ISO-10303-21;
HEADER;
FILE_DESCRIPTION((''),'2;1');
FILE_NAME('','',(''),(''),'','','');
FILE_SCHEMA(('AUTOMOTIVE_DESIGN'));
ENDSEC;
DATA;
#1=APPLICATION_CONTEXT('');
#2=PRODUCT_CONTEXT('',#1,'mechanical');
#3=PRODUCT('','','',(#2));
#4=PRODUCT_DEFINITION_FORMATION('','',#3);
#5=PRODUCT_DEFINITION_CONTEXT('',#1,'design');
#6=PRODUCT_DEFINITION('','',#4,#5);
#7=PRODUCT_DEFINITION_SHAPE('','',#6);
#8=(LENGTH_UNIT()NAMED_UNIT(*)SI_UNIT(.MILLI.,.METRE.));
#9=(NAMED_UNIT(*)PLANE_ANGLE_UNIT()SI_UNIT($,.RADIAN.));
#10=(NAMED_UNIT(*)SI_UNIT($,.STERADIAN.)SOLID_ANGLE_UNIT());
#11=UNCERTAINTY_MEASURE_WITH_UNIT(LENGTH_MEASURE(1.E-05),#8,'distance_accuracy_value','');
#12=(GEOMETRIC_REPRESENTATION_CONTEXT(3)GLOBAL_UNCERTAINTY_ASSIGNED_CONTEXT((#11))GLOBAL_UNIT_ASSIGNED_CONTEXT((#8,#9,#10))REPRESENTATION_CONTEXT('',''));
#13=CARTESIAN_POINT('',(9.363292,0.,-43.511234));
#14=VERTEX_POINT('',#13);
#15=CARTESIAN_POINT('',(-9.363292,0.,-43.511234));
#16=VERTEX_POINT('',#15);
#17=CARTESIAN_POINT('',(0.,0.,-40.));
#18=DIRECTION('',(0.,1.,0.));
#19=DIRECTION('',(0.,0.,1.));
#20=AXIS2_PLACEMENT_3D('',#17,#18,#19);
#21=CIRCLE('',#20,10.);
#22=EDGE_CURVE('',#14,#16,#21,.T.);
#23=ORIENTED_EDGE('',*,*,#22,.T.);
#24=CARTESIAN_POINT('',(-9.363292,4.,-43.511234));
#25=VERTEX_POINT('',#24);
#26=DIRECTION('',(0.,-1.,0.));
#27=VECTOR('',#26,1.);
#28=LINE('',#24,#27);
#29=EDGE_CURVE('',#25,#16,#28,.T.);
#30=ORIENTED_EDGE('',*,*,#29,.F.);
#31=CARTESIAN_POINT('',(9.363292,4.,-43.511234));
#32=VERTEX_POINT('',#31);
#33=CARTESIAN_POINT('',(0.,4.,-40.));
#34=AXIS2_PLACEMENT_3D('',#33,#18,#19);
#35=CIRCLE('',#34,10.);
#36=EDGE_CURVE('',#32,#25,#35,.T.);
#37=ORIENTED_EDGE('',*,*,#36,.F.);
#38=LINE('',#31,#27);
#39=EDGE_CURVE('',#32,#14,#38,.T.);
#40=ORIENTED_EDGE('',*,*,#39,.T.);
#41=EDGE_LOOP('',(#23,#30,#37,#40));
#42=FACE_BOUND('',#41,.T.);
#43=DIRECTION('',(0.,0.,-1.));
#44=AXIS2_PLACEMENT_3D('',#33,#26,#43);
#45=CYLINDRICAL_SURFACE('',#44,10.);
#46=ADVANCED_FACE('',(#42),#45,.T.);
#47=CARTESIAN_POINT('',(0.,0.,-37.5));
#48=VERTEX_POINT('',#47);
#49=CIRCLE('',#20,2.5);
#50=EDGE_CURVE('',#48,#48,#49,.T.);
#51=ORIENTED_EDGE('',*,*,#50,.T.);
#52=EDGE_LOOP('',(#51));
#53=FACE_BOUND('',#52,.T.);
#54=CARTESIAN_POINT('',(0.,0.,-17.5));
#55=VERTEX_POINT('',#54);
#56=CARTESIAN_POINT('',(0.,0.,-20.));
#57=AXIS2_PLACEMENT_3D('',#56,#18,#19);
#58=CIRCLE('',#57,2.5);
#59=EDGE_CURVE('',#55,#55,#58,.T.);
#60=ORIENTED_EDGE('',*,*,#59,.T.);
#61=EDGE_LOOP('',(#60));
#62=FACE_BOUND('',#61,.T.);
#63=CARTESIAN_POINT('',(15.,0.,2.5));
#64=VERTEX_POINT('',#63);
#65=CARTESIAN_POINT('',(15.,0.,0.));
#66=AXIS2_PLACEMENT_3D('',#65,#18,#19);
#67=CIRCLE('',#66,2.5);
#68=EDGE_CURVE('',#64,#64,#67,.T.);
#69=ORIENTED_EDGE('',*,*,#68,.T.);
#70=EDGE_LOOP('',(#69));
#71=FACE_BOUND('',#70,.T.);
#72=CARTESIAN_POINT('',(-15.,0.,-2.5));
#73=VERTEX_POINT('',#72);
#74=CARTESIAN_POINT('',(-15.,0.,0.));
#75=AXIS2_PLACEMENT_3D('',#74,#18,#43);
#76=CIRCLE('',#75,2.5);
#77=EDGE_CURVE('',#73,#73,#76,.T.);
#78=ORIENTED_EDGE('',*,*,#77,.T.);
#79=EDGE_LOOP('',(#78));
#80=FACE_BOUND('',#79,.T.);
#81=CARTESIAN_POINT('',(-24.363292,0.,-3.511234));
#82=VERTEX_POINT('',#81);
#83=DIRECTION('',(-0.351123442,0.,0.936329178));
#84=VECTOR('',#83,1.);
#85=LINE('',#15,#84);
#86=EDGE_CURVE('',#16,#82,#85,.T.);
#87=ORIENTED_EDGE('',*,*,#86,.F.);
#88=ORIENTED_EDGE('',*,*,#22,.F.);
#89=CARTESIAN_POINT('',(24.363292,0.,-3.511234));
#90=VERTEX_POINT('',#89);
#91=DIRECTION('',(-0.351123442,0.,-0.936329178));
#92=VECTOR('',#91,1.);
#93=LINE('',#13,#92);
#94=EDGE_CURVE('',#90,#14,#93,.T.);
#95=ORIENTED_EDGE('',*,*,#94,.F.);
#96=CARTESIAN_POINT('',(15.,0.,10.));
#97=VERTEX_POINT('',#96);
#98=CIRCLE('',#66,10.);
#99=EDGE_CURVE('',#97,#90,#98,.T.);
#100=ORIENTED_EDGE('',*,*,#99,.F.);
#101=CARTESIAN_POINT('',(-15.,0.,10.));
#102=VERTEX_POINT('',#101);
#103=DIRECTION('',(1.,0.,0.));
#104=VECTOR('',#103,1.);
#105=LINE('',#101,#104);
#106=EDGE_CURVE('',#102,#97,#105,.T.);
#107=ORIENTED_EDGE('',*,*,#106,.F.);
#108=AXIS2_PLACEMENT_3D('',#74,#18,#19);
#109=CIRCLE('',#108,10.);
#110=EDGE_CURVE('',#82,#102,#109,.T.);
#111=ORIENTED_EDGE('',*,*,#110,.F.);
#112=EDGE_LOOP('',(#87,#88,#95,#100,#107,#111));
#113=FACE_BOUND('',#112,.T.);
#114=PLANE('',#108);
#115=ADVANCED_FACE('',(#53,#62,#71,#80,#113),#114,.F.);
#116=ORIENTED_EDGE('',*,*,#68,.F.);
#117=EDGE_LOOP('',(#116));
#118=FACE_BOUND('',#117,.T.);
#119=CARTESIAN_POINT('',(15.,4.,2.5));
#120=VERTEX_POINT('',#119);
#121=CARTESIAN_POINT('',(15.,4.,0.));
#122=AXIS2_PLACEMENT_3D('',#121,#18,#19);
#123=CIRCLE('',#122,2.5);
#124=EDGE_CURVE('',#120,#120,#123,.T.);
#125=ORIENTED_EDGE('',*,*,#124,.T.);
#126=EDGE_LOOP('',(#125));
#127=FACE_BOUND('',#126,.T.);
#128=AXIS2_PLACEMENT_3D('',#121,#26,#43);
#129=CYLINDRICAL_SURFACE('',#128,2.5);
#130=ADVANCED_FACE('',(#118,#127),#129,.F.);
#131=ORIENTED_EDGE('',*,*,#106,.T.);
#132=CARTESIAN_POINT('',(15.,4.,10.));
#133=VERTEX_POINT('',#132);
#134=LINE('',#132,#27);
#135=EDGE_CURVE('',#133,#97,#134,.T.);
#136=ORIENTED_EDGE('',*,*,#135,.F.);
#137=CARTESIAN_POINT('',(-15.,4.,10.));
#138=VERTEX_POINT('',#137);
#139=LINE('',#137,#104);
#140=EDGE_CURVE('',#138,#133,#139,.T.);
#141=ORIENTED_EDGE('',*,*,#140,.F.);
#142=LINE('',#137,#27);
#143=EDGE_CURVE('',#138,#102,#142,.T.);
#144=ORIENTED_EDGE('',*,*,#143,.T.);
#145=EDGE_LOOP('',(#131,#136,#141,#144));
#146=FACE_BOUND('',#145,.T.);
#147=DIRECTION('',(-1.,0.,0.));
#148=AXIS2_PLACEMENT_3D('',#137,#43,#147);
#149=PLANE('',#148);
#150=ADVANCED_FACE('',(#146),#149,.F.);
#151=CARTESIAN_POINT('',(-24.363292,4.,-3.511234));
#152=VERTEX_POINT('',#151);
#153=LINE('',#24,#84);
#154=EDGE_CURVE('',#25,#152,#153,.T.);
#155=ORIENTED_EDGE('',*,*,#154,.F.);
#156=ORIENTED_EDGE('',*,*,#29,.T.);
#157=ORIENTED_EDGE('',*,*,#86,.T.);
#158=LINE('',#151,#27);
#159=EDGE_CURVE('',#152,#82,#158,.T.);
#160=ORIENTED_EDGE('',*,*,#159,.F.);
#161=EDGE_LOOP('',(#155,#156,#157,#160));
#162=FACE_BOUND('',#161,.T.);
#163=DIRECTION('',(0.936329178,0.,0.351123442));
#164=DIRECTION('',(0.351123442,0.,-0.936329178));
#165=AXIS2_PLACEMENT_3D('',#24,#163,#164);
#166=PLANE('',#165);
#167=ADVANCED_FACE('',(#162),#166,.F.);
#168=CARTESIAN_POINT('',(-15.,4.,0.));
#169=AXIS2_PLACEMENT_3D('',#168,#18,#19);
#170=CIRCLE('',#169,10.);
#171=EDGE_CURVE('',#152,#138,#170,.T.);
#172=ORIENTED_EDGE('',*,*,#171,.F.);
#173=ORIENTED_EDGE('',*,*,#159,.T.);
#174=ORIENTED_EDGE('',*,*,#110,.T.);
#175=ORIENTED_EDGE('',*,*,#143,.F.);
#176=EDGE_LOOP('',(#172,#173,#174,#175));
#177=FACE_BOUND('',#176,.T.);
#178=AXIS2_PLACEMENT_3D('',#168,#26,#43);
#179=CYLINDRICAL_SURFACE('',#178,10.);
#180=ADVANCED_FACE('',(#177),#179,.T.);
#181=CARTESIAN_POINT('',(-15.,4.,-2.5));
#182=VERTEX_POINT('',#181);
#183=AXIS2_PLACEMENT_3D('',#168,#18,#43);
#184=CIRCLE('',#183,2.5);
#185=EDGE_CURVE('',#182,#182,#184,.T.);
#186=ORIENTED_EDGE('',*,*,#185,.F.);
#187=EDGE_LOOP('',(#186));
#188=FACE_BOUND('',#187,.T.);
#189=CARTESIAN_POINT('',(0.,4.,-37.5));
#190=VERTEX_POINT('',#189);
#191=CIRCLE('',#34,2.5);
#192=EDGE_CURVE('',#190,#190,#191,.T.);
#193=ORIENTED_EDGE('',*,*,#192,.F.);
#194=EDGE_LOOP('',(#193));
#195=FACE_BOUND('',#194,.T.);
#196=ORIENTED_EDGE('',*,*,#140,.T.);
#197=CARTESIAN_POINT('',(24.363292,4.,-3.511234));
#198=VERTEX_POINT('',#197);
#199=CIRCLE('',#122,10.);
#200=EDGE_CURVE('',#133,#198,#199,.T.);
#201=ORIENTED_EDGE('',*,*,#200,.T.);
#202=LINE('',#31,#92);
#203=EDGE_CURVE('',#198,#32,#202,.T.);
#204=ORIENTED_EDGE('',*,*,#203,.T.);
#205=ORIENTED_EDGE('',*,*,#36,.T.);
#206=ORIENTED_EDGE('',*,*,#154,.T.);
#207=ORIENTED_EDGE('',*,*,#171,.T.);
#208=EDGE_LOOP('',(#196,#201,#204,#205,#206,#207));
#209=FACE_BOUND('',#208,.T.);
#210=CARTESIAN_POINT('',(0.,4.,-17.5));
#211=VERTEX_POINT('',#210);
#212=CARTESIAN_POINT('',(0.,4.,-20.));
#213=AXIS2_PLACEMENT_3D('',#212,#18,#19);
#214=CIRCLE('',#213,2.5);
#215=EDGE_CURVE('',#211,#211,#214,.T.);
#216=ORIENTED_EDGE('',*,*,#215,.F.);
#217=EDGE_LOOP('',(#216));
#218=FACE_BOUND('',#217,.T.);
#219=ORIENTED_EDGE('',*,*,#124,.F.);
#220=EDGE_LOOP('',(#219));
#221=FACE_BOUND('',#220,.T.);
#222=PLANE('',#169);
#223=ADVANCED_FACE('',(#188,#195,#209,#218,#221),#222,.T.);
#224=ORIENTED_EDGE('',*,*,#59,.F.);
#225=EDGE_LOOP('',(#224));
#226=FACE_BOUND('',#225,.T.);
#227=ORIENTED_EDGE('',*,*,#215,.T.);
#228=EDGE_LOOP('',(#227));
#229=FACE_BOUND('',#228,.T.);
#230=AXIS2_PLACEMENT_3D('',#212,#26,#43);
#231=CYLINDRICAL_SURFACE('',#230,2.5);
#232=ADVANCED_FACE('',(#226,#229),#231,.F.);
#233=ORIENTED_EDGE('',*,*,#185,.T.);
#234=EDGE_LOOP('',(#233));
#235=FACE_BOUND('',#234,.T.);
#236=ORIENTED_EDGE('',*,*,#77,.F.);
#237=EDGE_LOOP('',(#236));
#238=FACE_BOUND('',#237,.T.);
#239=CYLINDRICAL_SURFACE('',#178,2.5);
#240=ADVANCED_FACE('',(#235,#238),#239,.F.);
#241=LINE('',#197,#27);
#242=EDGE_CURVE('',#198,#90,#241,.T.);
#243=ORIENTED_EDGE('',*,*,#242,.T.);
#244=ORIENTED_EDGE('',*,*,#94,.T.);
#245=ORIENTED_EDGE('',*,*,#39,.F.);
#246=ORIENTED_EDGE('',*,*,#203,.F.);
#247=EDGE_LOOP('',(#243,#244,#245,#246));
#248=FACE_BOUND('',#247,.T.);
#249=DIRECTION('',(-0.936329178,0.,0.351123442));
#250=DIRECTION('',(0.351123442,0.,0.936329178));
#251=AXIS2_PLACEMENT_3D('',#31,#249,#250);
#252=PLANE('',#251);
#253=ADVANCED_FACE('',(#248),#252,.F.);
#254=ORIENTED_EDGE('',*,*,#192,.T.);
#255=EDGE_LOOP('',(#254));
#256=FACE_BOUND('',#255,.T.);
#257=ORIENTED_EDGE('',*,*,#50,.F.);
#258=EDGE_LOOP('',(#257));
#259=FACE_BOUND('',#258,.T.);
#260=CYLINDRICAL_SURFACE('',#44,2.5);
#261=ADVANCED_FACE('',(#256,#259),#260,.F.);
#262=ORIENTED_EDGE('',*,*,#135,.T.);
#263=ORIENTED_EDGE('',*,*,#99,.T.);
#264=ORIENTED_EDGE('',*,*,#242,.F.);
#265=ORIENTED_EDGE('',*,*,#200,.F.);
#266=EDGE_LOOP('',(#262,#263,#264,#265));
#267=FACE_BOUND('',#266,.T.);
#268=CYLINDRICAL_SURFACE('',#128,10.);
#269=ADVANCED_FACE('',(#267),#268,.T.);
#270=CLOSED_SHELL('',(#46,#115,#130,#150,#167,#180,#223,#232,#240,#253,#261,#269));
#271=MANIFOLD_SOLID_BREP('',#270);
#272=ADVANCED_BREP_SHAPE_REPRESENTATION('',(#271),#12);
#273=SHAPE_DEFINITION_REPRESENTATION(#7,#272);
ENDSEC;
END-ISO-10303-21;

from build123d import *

# Parameters (mm, degrees)
SKETCH1_R           = 2.5
BOSS_EXTRUDE1_DEPTH = 4


with BuildPart() as part:
    # Sketch1 → Boss-Extrude1 (new body)
    with BuildSketch(Plane(origin=(0, 0, 0), x_dir=(1, 0, 0), z_dir=(0, 1, 0))):
        with BuildLine():
            Line((-9.363291776, 43.511234416), (-24.363291776, 3.511234416))
            ThreePointArc((-24.363291776, 3.511234416), (-23.219256176, -5.695948378), (-15, -10))
            Line((-15, -10), (15, -10))
            ThreePointArc((15, -10), (23.219256176, -5.695948378), (24.363291776, 3.511234416))
            Line((24.363291776, 3.511234416), (9.363291776, 43.511234416))
            ThreePointArc((9.363291776, 43.511234416), (0, 50), (-9.363291776, 43.511234416))
        make_face()
        with Locations(Location((15, 0, 0), (0, 0, 270))):
            Circle(SKETCH1_R, mode=Mode.SUBTRACT)
        with Locations(Location((-15, 0, 0), (0, 0, 90))):
            Circle(SKETCH1_R, mode=Mode.SUBTRACT)
        with Locations(Location((0, 20, 0), (0, 0, 270))):
            Circle(SKETCH1_R, mode=Mode.SUBTRACT)
        with Locations(Location((0, 40, 0), (0, 0, 270))):
            Circle(SKETCH1_R, mode=Mode.SUBTRACT)
    extrude(amount=BOSS_EXTRUDE1_DEPTH)


solid = part.part
